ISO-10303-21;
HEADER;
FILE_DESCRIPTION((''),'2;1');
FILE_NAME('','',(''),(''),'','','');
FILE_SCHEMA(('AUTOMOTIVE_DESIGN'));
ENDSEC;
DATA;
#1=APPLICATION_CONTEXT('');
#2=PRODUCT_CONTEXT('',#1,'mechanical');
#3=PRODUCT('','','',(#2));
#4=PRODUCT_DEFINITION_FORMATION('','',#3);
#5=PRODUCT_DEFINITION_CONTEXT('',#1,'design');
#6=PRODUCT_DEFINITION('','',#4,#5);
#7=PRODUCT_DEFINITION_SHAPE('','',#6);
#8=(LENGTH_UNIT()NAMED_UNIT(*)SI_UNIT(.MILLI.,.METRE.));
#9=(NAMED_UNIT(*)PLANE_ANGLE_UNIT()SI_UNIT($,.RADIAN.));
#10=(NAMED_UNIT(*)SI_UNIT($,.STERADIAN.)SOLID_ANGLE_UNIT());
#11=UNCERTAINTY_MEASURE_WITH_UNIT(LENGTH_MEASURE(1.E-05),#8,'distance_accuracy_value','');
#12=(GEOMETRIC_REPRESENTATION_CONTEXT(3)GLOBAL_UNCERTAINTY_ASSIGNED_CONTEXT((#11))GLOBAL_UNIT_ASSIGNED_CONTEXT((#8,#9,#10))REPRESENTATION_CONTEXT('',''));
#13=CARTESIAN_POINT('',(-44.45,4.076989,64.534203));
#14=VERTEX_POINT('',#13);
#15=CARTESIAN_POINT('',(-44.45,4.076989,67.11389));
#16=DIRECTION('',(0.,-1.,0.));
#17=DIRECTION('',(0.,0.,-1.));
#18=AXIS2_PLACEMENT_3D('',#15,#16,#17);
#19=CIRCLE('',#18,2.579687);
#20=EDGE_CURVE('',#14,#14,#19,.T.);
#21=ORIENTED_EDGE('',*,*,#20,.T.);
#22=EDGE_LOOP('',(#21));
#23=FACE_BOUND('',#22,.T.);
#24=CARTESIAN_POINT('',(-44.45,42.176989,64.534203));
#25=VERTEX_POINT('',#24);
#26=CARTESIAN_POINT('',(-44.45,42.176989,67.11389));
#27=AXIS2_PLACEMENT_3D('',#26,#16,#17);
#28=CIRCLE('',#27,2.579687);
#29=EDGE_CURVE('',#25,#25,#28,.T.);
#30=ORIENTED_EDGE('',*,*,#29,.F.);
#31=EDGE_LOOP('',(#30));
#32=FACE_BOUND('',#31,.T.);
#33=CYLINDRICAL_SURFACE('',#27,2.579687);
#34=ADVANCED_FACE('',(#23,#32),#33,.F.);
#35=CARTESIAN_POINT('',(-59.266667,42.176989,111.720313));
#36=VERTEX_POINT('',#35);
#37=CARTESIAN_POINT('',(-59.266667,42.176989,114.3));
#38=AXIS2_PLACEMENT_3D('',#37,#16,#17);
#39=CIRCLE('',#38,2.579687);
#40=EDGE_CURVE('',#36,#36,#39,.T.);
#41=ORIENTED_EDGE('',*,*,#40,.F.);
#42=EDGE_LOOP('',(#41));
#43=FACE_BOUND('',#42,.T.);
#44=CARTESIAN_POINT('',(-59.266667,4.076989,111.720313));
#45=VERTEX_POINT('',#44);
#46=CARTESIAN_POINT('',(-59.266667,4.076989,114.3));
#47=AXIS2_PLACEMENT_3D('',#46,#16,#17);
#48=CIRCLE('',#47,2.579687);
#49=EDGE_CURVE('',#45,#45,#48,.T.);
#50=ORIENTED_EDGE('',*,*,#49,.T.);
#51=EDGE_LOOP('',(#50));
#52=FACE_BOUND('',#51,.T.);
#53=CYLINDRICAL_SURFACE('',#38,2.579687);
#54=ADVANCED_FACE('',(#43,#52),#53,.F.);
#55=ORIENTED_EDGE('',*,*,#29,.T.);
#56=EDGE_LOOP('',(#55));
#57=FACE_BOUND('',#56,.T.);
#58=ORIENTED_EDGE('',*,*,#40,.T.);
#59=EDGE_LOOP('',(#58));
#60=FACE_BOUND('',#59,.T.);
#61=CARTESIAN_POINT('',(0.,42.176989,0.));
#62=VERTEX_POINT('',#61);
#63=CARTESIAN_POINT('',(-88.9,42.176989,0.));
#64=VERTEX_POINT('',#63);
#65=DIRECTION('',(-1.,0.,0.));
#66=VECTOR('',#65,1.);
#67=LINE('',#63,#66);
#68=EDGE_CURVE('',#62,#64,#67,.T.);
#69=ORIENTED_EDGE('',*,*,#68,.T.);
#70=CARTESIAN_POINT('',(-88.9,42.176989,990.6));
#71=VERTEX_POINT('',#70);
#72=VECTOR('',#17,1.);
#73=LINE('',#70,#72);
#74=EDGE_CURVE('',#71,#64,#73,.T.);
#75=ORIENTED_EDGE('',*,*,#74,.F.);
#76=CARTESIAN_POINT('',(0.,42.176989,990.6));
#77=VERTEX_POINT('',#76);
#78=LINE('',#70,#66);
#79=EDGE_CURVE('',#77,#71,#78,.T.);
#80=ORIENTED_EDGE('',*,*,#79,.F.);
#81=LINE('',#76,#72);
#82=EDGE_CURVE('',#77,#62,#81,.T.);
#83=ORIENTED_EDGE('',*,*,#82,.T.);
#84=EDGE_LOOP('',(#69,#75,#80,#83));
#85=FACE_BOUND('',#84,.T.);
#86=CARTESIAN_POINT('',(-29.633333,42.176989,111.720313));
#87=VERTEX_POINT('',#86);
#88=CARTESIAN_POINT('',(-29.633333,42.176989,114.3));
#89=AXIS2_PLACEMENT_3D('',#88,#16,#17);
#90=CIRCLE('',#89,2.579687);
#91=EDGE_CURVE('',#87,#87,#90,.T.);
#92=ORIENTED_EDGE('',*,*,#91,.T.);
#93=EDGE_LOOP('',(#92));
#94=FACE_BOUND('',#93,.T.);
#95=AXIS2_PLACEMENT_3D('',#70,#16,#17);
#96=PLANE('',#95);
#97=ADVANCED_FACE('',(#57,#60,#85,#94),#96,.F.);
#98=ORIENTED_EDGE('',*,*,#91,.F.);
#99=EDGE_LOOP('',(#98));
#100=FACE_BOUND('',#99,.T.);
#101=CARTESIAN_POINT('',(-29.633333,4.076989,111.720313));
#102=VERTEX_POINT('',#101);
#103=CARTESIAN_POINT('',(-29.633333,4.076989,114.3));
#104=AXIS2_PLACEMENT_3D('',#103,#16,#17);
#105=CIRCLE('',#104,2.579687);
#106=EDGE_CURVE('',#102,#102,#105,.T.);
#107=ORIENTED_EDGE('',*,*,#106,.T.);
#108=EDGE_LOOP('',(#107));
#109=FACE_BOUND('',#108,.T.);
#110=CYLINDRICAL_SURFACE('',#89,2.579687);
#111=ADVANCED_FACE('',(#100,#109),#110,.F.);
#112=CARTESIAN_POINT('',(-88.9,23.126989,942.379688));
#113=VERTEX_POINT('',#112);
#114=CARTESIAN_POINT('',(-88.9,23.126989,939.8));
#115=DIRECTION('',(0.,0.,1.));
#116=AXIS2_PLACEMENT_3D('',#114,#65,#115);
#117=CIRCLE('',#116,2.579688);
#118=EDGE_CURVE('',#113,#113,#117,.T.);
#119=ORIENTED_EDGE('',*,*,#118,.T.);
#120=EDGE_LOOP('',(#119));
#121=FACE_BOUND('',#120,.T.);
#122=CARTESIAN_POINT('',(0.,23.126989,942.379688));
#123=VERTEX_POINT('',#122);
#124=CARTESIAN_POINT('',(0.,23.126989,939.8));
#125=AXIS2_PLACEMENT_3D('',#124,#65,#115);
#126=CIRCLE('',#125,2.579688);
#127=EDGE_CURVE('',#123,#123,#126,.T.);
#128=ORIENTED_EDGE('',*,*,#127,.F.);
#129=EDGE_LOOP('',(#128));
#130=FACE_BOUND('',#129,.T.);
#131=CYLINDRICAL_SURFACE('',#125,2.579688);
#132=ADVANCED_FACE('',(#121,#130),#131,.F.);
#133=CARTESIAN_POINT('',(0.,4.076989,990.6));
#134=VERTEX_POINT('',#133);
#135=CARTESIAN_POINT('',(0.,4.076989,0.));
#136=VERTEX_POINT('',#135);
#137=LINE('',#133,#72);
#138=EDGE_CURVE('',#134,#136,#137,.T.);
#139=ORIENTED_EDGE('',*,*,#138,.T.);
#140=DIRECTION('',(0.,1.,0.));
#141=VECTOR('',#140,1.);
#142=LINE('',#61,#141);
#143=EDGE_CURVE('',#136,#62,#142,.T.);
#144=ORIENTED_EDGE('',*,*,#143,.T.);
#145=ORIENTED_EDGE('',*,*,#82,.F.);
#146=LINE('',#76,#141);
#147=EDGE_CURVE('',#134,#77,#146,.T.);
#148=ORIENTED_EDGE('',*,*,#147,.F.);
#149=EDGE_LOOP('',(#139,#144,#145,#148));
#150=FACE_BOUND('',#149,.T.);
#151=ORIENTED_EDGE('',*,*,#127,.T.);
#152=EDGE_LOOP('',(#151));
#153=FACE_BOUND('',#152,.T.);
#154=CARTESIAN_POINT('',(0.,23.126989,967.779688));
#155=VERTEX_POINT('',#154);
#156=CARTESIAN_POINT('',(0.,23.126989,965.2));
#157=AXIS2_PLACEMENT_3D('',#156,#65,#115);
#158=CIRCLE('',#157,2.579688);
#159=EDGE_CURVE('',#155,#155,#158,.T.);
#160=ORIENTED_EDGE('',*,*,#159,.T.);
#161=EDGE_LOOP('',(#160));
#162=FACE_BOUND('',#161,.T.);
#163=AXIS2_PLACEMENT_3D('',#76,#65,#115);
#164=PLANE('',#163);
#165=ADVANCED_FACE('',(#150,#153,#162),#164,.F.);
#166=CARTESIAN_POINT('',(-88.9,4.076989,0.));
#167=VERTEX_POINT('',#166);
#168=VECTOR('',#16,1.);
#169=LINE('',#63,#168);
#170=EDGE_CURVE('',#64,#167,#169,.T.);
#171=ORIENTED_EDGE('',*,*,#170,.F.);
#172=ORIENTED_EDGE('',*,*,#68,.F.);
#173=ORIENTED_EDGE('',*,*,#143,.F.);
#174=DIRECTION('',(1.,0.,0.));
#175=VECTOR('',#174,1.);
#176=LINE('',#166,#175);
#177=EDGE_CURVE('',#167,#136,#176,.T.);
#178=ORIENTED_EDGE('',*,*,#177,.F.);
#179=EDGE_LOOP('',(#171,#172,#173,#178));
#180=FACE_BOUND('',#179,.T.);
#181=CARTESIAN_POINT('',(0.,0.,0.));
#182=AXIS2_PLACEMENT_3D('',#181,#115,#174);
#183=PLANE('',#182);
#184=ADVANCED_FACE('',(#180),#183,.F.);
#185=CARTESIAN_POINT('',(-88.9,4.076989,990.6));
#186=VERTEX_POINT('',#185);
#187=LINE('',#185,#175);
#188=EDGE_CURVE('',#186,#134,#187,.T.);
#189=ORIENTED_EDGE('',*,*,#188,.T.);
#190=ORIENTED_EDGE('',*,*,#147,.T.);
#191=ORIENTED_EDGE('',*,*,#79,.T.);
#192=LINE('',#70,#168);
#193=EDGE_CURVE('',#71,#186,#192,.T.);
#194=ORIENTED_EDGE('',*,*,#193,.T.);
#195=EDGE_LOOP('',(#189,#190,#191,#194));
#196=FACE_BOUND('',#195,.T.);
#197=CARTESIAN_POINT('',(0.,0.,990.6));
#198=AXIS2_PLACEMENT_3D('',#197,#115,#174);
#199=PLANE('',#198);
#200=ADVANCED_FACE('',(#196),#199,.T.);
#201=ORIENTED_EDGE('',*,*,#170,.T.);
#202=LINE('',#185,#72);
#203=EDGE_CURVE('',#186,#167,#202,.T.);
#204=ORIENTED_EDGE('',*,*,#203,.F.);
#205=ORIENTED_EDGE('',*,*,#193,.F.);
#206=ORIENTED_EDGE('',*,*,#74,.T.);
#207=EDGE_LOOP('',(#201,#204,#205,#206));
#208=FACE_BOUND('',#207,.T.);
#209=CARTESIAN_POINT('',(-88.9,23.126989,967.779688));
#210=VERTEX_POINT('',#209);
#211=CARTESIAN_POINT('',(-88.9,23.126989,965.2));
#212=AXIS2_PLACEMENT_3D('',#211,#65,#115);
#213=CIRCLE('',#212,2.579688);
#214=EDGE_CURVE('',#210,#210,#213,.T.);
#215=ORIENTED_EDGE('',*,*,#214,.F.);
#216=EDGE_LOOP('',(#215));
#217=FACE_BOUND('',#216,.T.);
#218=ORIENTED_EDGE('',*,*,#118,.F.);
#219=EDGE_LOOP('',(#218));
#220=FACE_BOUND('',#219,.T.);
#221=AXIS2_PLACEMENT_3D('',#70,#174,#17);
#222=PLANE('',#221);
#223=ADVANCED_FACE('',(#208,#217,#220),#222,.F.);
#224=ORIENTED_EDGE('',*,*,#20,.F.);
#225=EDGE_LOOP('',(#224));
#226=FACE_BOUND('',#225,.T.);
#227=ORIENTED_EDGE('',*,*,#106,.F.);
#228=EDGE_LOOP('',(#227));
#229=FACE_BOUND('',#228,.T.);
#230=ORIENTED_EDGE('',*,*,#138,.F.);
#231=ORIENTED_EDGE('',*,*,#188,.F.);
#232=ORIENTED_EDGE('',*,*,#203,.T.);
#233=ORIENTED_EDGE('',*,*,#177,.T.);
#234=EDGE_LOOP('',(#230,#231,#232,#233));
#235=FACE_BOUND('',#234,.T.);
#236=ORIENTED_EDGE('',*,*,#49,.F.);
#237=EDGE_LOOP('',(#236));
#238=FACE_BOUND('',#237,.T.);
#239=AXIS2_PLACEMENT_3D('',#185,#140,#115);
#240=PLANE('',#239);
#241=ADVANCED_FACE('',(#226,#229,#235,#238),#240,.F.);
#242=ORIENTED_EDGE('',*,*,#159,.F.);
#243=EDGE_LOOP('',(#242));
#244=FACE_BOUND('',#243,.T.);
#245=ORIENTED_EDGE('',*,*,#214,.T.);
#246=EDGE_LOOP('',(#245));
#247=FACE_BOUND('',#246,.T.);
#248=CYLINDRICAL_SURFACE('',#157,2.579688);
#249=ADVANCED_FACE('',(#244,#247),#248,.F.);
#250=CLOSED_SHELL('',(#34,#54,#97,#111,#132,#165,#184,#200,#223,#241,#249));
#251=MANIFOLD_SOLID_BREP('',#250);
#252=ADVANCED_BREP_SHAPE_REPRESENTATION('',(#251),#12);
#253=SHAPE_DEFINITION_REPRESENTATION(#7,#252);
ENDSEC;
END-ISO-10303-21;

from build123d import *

# Parameters (mm, degrees)
SKETCH1_W           = 88.9
SKETCH1_H           = 38.1
BOSS_EXTRUDE1_DEPTH = 990.6
SKETCH2_R           = 2.5796875
CUT_EXTRUDE1_DEPTH  = 89.9
SKETCH3_R           = 2.5796875
CUT_EXTRUDE2_DEPTH  = 39.1


with BuildPart() as part:
    # Sketch1 → Boss-Extrude1 (new body)
    with BuildSketch(Plane.XY):
        with Locations((-44.45, 23.126988636)):
            Rectangle(SKETCH1_W, SKETCH1_H)
    extrude(amount=BOSS_EXTRUDE1_DEPTH)

    # Sketch2 → Cut-Extrude1 (cut, through all)
    with BuildSketch(Plane.ZY.offset(88.9)):
        with Locations((939.8, 23.126988636)):
            Circle(SKETCH2_R)
        with Locations((965.2, 23.126988636)):
            Circle(SKETCH2_R)
    extrude(amount=-CUT_EXTRUDE1_DEPTH, mode=Mode.SUBTRACT)

    # Sketch3 → Cut-Extrude2 (cut, through all)
    with BuildSketch(Plane.XZ.offset(-4.076988636)):
        with Locations((-44.45, 67.113890037)):
            Circle(SKETCH3_R)
        with Locations((-29.633333333, 114.3)):
            Circle(SKETCH3_R)
        with Locations((-59.266666667, 114.3)):
            Circle(SKETCH3_R)
    extrude(amount=-CUT_EXTRUDE2_DEPTH, mode=Mode.SUBTRACT)


solid = part.part
